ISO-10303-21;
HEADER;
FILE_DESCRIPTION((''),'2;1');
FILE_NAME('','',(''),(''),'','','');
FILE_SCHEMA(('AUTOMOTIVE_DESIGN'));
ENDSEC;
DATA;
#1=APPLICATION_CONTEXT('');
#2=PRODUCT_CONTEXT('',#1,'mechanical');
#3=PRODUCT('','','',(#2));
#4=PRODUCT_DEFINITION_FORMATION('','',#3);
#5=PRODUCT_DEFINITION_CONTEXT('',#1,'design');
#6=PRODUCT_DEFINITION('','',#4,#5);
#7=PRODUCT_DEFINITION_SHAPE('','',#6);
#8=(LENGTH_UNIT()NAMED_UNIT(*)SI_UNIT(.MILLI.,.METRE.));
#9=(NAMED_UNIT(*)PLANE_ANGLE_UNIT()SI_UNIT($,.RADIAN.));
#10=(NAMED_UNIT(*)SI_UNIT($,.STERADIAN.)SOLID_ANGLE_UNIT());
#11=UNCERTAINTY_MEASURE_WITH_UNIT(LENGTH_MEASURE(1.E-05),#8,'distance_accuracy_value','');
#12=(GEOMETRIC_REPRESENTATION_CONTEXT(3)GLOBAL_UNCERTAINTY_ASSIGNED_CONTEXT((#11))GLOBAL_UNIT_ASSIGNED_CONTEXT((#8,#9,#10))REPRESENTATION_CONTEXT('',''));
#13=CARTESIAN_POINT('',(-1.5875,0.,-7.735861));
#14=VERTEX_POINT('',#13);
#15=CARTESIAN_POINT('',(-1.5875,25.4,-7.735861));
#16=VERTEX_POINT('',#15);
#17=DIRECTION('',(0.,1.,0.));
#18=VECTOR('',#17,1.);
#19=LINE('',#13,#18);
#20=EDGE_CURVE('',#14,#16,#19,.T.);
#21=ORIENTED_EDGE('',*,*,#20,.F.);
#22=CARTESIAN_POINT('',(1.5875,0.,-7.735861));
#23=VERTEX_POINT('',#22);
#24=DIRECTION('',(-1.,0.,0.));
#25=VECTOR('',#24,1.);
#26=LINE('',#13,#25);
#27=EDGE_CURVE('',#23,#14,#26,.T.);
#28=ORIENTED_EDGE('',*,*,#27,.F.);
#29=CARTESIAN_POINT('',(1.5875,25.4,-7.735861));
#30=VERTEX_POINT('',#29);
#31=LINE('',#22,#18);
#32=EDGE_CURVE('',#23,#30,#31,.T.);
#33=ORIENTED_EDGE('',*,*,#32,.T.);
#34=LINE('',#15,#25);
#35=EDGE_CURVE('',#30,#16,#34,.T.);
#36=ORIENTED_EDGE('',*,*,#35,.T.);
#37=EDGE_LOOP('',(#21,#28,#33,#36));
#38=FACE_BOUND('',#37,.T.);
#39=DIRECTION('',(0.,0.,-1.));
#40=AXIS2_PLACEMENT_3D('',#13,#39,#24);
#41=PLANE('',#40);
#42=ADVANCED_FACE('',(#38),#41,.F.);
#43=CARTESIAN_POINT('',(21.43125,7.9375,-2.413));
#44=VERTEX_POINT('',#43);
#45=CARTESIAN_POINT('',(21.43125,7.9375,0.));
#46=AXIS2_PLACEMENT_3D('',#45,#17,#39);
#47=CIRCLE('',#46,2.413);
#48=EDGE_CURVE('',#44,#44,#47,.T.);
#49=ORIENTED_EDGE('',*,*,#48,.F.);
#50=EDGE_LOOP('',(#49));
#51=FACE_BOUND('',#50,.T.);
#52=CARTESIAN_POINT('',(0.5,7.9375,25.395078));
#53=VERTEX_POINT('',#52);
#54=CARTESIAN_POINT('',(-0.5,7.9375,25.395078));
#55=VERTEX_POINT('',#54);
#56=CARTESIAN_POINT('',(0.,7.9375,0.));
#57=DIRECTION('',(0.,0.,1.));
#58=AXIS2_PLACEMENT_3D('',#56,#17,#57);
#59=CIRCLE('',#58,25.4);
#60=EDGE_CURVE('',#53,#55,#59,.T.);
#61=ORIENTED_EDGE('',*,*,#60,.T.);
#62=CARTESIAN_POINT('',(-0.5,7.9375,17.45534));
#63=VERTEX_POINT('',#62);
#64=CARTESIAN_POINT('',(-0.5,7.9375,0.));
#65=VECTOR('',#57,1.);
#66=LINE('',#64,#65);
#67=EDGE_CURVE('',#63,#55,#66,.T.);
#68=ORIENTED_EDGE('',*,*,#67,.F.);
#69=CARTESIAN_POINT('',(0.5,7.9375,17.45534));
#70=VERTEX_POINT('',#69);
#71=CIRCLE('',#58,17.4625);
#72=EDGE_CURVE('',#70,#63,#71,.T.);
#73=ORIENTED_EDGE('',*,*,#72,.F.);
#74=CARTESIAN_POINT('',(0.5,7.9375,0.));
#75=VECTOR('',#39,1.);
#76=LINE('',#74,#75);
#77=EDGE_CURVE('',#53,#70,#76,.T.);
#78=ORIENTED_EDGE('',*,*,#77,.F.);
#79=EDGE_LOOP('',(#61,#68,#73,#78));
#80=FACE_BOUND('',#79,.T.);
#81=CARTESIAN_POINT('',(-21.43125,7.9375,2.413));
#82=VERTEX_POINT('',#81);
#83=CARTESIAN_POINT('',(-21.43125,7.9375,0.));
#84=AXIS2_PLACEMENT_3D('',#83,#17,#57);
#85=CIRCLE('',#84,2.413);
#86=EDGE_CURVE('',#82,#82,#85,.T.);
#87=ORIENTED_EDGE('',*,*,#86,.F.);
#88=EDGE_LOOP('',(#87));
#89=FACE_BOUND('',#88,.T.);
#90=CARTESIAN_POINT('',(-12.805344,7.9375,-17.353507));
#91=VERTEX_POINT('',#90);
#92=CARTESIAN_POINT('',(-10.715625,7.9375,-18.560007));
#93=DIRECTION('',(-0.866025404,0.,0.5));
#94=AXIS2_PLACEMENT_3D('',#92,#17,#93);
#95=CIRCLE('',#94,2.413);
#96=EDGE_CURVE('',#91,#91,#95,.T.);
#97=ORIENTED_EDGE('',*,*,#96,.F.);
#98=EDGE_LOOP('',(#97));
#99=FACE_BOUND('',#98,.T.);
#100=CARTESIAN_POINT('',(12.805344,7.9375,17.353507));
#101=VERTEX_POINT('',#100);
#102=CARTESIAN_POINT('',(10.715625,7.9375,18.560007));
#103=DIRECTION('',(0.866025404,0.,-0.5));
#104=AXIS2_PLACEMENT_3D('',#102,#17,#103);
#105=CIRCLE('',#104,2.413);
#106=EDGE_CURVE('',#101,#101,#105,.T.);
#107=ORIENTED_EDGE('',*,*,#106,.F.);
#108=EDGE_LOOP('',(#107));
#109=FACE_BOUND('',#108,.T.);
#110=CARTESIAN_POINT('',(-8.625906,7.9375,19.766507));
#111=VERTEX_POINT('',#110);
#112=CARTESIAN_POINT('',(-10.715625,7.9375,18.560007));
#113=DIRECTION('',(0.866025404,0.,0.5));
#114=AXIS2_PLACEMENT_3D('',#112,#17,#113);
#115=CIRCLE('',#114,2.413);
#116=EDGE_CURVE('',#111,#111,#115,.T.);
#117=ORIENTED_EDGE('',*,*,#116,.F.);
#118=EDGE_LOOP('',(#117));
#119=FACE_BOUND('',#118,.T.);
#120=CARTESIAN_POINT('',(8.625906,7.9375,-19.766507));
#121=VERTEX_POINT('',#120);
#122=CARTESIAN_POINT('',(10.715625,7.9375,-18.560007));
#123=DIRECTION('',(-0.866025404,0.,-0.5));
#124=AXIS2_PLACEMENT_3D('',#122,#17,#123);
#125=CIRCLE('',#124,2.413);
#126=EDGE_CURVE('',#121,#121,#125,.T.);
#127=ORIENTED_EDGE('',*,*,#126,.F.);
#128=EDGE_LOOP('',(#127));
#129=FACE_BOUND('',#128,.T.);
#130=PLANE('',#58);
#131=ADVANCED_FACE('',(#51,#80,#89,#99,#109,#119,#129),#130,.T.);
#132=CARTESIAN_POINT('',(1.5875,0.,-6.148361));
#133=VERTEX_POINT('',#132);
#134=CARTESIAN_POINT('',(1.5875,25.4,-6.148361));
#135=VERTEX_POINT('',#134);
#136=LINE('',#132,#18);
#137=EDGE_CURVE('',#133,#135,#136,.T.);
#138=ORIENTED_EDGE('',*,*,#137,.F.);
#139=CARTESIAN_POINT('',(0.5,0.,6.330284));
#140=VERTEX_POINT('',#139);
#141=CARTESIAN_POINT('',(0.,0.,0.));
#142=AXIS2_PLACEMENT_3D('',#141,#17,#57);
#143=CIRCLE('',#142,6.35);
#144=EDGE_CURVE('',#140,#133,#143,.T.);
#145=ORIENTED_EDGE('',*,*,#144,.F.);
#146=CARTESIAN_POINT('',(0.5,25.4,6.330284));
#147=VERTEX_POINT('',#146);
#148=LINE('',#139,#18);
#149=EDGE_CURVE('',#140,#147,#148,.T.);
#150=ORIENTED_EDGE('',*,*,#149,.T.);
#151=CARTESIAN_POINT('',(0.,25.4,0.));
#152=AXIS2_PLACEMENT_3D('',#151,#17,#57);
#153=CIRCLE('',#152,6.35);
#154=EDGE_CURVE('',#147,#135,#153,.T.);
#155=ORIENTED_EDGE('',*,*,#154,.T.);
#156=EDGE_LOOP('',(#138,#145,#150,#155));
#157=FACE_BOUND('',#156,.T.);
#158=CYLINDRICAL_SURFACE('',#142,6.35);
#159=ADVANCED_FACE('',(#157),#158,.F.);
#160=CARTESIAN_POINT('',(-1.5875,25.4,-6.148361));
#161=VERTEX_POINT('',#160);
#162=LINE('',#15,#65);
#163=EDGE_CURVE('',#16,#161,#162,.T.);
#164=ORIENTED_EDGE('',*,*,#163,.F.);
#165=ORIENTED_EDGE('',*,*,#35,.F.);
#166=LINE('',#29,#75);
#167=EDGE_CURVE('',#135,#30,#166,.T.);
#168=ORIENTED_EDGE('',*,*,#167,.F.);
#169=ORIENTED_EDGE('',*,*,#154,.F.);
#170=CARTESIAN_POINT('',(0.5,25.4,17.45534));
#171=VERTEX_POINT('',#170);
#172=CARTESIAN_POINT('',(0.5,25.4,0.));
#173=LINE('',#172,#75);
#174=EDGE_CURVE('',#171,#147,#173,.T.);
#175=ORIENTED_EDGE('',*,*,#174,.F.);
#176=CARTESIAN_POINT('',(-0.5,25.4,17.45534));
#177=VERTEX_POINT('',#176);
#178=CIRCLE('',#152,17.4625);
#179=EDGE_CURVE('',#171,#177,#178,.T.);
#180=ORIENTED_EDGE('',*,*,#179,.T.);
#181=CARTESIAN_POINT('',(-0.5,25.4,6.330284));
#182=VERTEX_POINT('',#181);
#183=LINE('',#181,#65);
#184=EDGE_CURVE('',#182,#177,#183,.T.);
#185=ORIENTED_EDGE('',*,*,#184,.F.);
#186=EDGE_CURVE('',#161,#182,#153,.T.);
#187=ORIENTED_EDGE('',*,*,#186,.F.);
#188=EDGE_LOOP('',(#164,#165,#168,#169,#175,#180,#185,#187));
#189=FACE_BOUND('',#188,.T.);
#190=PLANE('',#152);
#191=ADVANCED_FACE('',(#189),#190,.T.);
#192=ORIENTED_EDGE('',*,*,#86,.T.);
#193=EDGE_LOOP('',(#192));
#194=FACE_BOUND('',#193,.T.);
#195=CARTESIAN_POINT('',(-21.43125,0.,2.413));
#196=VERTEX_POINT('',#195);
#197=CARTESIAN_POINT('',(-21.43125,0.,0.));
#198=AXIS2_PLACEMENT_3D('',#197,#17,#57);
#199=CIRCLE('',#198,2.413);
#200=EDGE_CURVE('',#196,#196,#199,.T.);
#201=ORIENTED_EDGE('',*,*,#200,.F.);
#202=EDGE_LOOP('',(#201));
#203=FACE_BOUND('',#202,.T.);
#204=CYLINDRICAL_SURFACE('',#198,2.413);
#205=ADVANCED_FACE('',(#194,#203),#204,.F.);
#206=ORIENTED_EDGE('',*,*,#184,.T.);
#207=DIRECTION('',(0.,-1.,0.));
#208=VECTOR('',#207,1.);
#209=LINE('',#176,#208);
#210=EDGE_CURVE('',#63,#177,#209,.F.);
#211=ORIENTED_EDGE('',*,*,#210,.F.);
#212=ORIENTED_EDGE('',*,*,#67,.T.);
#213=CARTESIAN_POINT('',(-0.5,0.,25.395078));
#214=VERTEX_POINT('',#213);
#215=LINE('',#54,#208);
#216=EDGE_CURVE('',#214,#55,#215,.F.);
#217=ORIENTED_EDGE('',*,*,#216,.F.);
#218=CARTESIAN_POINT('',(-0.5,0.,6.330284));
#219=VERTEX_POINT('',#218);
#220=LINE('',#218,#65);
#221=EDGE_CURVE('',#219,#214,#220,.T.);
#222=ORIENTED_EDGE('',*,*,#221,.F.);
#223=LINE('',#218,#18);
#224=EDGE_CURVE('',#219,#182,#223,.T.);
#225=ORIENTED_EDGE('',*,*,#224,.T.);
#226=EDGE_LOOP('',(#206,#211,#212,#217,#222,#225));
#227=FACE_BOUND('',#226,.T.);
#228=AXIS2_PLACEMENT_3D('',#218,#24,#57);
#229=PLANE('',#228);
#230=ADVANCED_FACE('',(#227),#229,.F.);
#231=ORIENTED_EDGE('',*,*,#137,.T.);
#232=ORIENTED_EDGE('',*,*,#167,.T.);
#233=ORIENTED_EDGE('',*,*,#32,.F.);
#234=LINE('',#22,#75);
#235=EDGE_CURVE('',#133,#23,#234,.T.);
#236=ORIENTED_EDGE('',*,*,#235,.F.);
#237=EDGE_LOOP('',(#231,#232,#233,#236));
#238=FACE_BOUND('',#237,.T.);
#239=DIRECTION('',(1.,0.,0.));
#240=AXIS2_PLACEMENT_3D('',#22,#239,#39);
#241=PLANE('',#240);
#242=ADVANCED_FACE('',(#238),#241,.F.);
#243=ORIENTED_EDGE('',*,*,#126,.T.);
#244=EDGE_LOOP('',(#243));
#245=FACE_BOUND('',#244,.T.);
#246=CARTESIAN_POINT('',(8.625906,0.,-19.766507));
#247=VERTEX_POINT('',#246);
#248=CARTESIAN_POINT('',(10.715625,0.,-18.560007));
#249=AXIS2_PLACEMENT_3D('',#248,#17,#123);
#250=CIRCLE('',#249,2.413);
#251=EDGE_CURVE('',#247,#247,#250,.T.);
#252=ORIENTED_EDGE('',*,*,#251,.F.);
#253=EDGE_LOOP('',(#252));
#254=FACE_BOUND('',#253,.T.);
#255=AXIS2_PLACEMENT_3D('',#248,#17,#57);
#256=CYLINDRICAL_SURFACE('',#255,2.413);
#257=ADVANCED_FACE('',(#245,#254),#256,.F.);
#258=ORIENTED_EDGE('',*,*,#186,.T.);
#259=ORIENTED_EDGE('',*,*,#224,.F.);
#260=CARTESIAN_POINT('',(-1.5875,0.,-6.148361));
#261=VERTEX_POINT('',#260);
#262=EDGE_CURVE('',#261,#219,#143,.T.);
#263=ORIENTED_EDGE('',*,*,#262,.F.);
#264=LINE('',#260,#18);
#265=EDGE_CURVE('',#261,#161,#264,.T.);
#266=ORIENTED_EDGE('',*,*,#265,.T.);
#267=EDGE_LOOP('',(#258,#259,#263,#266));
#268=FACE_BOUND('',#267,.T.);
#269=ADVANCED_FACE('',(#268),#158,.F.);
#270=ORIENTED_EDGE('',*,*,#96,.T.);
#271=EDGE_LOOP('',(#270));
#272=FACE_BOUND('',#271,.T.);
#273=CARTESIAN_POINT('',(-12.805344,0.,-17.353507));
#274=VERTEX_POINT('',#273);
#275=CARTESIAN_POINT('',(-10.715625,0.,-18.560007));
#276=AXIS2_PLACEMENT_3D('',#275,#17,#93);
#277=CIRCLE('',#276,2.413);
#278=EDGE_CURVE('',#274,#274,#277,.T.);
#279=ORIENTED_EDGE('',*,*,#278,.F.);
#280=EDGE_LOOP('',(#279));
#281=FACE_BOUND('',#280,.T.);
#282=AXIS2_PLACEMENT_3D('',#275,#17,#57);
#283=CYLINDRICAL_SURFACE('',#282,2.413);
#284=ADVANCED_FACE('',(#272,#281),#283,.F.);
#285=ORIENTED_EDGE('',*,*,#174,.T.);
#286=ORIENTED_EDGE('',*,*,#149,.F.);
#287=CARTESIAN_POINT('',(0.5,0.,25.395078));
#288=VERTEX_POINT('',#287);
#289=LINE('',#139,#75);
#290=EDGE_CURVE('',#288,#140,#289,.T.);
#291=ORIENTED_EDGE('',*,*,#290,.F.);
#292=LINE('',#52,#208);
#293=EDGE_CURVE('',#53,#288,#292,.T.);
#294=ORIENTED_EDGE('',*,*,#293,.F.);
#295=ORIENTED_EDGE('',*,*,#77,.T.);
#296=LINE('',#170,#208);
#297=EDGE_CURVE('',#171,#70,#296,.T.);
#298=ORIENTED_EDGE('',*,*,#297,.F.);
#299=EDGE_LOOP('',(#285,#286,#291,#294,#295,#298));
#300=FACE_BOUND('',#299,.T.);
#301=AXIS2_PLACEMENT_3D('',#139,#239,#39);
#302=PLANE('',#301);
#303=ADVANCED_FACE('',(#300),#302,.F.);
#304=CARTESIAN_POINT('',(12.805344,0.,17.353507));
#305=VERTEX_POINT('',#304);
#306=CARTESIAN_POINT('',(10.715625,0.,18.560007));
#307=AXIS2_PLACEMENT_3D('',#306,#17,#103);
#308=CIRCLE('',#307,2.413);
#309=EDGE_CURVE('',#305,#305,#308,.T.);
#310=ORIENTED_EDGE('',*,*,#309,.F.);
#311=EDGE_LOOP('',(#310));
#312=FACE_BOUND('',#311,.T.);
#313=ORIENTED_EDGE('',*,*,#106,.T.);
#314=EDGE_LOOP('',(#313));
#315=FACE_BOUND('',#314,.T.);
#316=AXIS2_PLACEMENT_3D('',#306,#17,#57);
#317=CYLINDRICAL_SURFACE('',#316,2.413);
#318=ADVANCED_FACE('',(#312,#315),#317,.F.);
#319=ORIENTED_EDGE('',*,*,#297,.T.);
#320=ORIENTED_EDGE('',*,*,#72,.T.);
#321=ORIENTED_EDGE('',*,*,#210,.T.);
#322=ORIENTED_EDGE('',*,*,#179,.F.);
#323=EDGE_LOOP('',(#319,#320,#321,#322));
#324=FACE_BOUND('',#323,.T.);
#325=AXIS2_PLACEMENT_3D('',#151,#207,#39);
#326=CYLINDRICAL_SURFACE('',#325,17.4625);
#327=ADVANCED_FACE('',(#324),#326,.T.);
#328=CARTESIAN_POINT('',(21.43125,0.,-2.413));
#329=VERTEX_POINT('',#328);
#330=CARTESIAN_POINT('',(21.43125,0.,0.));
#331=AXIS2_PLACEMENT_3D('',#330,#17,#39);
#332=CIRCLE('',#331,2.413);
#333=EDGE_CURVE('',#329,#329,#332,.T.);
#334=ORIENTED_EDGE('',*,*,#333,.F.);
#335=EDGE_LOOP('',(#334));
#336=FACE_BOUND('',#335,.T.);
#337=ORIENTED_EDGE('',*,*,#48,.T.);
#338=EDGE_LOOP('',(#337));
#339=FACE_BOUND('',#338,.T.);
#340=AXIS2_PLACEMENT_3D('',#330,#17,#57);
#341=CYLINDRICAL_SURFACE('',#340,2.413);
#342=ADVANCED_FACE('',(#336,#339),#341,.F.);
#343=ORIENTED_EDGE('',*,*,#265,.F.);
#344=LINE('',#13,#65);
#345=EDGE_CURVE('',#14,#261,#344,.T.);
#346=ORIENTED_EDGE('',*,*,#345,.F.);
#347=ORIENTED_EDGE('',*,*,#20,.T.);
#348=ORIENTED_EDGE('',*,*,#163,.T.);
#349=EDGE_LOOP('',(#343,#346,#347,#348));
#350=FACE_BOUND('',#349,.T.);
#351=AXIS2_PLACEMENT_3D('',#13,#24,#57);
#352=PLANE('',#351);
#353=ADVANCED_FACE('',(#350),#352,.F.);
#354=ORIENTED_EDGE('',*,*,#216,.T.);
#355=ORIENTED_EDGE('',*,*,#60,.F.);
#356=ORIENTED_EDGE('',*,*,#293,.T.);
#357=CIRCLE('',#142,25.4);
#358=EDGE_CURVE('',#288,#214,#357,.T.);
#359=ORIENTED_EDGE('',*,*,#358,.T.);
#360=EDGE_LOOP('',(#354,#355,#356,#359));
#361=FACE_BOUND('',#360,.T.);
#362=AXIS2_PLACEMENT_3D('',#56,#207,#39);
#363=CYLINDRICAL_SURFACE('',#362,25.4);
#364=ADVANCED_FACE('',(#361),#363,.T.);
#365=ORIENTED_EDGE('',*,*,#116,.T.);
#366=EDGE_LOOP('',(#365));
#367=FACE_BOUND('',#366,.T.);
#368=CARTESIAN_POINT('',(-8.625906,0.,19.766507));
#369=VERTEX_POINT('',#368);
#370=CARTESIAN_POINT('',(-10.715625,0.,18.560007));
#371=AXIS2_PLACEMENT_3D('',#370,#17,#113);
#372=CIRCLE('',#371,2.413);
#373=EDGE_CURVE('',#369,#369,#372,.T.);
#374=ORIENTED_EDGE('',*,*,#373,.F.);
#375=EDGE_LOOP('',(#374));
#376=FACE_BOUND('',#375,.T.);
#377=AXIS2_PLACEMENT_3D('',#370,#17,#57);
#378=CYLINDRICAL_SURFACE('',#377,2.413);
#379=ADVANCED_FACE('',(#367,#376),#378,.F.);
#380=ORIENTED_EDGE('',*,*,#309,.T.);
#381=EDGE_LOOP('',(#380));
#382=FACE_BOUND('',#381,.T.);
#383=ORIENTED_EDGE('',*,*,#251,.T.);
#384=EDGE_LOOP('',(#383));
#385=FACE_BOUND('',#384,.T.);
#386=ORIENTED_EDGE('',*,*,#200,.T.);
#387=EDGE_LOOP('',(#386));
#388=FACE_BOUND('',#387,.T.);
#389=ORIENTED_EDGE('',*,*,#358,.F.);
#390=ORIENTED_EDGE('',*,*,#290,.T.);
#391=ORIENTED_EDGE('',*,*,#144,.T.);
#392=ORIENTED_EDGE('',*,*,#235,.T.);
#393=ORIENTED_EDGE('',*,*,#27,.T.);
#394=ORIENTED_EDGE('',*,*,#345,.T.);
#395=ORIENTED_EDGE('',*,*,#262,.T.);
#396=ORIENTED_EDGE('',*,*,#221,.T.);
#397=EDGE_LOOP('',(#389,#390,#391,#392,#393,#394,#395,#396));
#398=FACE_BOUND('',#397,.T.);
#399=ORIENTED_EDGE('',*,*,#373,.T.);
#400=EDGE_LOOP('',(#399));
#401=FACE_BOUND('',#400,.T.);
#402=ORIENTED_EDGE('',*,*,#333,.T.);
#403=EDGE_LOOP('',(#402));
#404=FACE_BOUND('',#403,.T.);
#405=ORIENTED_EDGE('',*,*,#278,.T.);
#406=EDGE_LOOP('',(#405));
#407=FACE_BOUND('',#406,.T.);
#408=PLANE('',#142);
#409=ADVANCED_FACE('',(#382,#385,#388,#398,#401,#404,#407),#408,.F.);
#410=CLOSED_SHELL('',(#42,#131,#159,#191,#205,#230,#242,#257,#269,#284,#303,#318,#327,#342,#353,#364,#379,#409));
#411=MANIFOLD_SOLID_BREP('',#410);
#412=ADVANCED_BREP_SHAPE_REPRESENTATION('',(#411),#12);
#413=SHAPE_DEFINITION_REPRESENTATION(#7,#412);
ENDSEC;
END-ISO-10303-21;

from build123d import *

# Parameters (mm, degrees)
SKETCH1_R           = 25.4
BOSS_EXTRUDE1_DEPTH = 7.9375
SKETCH2_R           = 17.4625
BOSS_EXTRUDE2_DEPTH = 17.4625
CUT_EXTRUDE1_DEPTH  = 44.994090512
SKETCH4_R           = 2.413
CUT_EXTRUDE2_DEPTH  = 40.940692361
CIRPATTERN1_COUNT   = 6


with BuildPart() as part:
    # Sketch1 → Boss-Extrude1 (new body)
    with BuildSketch(Plane(origin=(0, 0, 0), x_dir=(1, 0, 0), z_dir=(0, 1, 0))):
        with Locations(Location((0, 0, 0), (0, 0, 270))):
            Circle(SKETCH1_R)
    extrude(amount=BOSS_EXTRUDE1_DEPTH)

    # Sketch2 → Boss-Extrude2 (add)
    with BuildSketch(Plane(origin=(0, 7.9375, 0), x_dir=(1, 0, 0), z_dir=(0, 1, 0))):
        with Locations(Location((0, 0, 0), (0, 0, 270))):
            Circle(SKETCH2_R)
    extrude(amount=BOSS_EXTRUDE2_DEPTH)

    # Sketch3 → Cut-Extrude1 (cut, through all)
    with BuildSketch(Plane(origin=(0, 25.4, 0), x_dir=(1, 0, 0), z_dir=(0, 1, 0))):
        with BuildLine():
            Line((-1.5875, 7.735861062), (1.5875, 7.735861062))
            Line((1.5875, 7.735861062), (1.5875, 6.148361062))
            ThreePointArc((1.5875, 6.148361062), (6.326022598, -0.551305799), (0.5, -6.330284354))
            Line((0.5, -6.330284354), (0.5, -25.4))
            Line((0.5, -25.4), (-0.5, -25.4))
            Line((-0.5, -25.4), (-0.5, -6.330284354))
            ThreePointArc((-0.5, -6.330284354), (-6.326022598, -0.551305799), (-1.5875, 6.148361062))
            Line((-1.5875, 6.148361062), (-1.5875, 7.735861062))
        make_face()
    extrude(amount=-CUT_EXTRUDE1_DEPTH, mode=Mode.SUBTRACT)

    # Sketch4 → Cut-Extrude2 (cut, through all)
    with BuildSketch(Plane(origin=(0, 7.9375, 0), x_dir=(1, 0, 0), z_dir=(0, 1, 0))):
        with Locations(Location((-21.43125, 0, 0), (0, 0, 270))):
            Circle(SKETCH4_R)
    cut_extrude2 = extrude(amount=-CUT_EXTRUDE2_DEPTH, mode=Mode.SUBTRACT)

    # CirPattern1: Cut-Extrude2 ×6 about axis
    cirpattern1_axis = Axis((0, 0, 0), (0, 1, 0))
    for i in range(1, CIRPATTERN1_COUNT):
        add(cut_extrude2.rotate(cirpattern1_axis, i * 360 / CIRPATTERN1_COUNT), mode=Mode.SUBTRACT)


solid = part.part
